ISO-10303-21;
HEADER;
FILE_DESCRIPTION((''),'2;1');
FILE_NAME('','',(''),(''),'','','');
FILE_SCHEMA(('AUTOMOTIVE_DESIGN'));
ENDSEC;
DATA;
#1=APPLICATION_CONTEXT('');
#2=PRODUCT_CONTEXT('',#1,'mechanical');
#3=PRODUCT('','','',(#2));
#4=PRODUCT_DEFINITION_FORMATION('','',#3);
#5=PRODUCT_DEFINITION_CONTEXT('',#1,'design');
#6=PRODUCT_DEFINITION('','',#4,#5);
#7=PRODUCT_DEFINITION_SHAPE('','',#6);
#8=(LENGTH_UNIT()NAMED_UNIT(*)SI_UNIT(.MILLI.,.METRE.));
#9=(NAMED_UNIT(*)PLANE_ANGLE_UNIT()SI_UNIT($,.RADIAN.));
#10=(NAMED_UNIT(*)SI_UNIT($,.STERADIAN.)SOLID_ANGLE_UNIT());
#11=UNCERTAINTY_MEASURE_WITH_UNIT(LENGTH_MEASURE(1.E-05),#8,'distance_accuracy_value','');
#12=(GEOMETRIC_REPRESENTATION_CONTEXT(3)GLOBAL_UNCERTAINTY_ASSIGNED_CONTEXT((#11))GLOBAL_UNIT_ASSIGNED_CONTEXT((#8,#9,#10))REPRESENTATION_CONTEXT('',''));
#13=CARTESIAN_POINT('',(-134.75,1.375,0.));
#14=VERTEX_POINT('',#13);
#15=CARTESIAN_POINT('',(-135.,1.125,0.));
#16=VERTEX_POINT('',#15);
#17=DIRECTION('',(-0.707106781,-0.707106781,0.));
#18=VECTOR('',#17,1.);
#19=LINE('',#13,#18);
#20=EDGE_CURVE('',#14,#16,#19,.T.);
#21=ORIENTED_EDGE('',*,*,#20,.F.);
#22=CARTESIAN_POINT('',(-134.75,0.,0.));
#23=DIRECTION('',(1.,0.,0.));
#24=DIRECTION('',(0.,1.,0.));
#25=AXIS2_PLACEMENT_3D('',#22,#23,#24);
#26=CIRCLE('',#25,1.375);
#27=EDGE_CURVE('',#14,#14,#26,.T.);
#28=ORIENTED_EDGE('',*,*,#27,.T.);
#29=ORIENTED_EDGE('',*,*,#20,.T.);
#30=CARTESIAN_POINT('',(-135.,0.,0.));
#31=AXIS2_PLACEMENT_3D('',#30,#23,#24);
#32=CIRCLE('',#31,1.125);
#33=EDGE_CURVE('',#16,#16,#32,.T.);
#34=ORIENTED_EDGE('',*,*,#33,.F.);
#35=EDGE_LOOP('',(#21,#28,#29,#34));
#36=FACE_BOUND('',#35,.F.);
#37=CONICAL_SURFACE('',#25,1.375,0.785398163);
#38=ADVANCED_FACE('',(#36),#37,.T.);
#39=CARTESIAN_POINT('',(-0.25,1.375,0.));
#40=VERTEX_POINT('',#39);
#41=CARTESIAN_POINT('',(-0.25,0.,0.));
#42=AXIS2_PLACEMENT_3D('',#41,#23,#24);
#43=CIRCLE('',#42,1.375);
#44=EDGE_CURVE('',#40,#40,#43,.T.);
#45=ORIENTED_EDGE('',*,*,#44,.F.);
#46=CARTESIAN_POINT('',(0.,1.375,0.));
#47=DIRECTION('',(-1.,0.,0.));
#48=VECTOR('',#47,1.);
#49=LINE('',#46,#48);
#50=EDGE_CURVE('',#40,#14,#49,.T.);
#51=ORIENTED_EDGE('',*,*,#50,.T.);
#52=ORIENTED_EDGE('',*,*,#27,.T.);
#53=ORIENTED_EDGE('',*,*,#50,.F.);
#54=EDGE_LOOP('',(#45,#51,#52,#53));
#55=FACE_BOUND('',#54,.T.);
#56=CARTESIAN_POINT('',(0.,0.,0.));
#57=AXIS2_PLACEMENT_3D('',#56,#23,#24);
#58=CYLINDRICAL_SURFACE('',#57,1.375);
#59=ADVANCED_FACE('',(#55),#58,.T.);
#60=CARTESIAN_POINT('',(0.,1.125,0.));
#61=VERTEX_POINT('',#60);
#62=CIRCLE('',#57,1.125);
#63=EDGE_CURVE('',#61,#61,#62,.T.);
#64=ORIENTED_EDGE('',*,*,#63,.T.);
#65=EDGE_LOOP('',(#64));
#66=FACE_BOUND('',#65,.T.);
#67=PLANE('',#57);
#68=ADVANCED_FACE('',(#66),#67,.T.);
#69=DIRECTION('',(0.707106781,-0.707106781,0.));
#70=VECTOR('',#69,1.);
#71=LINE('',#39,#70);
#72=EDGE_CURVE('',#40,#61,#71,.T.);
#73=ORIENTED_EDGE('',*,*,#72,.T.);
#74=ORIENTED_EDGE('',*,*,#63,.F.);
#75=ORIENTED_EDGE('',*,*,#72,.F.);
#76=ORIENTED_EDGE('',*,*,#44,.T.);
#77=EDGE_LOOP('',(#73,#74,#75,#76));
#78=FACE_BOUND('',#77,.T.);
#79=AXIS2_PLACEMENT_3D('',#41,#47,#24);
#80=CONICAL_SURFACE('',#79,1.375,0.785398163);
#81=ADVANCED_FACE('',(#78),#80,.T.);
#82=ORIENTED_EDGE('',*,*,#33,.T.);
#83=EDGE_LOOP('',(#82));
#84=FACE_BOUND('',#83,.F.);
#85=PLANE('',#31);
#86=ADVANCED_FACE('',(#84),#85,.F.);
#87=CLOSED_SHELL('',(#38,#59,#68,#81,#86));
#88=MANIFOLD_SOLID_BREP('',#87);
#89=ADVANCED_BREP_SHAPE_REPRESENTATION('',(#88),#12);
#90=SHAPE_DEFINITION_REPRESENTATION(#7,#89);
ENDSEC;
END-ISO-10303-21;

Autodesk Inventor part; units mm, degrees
ref_plane "YZ Plane" through (0, 0, 0) normal (1, 0, 0) x (0, 1, 0)
ref_plane "XZ Plane" through (0, 0, 0) normal (0, 1, 0) x (-1, 0, 0)
ref_plane "XY Plane" through (0, 0, 0) normal (0, 0, 1) x (1, 0, 0)
sketch "Sketch1" plane through (0, 0, 0) normal (1, 0, 0) x (0, 1, 0)
  circle A0 centre (0, 0) radius 1.375
  dimension "d0" = 2.75
extrude "Extrusion1" add sketch "Sketch1" against normal blind 135
chamfer "Chamfer1" distance 0.25 angle 45 2 edges at (-135, -1.375, 0) (0, -1.375, 0)
properties part number "CoinFeederØ3Rod"
